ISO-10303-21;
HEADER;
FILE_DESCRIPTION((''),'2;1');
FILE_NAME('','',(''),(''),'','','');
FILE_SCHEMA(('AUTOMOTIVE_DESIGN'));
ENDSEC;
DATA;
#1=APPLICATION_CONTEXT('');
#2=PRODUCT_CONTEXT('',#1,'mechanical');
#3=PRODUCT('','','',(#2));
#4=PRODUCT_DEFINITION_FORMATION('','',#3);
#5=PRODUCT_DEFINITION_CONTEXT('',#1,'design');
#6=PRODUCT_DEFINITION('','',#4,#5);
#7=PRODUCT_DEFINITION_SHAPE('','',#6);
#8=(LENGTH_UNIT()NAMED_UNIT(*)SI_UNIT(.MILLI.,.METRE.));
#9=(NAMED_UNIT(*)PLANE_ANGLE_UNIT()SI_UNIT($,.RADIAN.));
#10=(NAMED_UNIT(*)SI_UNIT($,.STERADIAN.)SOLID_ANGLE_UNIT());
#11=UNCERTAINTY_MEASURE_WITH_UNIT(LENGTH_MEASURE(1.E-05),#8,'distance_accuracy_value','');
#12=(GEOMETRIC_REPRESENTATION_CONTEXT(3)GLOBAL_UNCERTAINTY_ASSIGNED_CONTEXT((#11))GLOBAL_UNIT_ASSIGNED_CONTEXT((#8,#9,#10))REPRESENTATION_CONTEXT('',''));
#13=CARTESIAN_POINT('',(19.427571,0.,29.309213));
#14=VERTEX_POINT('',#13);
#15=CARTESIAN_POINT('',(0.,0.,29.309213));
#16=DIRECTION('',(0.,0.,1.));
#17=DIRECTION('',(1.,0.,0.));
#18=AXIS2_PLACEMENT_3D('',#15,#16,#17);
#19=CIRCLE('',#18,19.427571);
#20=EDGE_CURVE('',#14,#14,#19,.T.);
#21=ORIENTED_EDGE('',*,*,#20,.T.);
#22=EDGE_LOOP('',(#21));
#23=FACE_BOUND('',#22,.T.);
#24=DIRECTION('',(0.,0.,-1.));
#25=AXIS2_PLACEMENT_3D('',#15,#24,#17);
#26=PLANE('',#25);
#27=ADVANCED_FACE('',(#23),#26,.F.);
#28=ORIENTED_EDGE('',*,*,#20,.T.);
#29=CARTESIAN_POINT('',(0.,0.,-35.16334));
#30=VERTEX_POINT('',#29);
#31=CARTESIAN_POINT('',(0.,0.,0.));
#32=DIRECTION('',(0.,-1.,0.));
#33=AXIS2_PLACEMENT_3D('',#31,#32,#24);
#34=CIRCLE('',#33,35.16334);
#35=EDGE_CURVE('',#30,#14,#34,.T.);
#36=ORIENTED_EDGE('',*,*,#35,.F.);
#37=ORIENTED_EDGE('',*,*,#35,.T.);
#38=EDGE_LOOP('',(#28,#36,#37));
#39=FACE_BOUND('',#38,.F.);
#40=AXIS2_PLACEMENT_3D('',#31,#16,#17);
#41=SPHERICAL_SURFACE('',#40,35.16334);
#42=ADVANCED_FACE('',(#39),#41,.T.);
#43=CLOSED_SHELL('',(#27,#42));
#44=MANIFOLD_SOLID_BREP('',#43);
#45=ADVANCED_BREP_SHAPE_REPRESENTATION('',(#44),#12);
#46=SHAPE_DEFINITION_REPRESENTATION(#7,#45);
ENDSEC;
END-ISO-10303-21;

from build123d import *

# Parameters (mm, degrees)
F2_W = 25.016448
F2_H = 11.842102


with BuildPart() as f1:
    # F0 (on Front) → F1 (revolve)
    with BuildSketch(Plane.XZ):
        with BuildLine():
            Line((0, 35.16334), (0, -35.16334))
            ThreePointArc((0, -35.16334), (35.16334, 0), (0, 35.16334))
        make_face()
    revolve(axis=Axis((0, 0, 1.332236), (0, 0, -1)))

    # F2 (on Front) → F3 (revolve, cut)
    with BuildSketch(Plane.XZ):
        with Locations((12.508224, 35.230264)):
            Rectangle(F2_W, F2_H)
    revolve(axis=Axis((0, 0, 5.624998), (0, 0, -1)), mode=Mode.SUBTRACT)


solid = f1.part
